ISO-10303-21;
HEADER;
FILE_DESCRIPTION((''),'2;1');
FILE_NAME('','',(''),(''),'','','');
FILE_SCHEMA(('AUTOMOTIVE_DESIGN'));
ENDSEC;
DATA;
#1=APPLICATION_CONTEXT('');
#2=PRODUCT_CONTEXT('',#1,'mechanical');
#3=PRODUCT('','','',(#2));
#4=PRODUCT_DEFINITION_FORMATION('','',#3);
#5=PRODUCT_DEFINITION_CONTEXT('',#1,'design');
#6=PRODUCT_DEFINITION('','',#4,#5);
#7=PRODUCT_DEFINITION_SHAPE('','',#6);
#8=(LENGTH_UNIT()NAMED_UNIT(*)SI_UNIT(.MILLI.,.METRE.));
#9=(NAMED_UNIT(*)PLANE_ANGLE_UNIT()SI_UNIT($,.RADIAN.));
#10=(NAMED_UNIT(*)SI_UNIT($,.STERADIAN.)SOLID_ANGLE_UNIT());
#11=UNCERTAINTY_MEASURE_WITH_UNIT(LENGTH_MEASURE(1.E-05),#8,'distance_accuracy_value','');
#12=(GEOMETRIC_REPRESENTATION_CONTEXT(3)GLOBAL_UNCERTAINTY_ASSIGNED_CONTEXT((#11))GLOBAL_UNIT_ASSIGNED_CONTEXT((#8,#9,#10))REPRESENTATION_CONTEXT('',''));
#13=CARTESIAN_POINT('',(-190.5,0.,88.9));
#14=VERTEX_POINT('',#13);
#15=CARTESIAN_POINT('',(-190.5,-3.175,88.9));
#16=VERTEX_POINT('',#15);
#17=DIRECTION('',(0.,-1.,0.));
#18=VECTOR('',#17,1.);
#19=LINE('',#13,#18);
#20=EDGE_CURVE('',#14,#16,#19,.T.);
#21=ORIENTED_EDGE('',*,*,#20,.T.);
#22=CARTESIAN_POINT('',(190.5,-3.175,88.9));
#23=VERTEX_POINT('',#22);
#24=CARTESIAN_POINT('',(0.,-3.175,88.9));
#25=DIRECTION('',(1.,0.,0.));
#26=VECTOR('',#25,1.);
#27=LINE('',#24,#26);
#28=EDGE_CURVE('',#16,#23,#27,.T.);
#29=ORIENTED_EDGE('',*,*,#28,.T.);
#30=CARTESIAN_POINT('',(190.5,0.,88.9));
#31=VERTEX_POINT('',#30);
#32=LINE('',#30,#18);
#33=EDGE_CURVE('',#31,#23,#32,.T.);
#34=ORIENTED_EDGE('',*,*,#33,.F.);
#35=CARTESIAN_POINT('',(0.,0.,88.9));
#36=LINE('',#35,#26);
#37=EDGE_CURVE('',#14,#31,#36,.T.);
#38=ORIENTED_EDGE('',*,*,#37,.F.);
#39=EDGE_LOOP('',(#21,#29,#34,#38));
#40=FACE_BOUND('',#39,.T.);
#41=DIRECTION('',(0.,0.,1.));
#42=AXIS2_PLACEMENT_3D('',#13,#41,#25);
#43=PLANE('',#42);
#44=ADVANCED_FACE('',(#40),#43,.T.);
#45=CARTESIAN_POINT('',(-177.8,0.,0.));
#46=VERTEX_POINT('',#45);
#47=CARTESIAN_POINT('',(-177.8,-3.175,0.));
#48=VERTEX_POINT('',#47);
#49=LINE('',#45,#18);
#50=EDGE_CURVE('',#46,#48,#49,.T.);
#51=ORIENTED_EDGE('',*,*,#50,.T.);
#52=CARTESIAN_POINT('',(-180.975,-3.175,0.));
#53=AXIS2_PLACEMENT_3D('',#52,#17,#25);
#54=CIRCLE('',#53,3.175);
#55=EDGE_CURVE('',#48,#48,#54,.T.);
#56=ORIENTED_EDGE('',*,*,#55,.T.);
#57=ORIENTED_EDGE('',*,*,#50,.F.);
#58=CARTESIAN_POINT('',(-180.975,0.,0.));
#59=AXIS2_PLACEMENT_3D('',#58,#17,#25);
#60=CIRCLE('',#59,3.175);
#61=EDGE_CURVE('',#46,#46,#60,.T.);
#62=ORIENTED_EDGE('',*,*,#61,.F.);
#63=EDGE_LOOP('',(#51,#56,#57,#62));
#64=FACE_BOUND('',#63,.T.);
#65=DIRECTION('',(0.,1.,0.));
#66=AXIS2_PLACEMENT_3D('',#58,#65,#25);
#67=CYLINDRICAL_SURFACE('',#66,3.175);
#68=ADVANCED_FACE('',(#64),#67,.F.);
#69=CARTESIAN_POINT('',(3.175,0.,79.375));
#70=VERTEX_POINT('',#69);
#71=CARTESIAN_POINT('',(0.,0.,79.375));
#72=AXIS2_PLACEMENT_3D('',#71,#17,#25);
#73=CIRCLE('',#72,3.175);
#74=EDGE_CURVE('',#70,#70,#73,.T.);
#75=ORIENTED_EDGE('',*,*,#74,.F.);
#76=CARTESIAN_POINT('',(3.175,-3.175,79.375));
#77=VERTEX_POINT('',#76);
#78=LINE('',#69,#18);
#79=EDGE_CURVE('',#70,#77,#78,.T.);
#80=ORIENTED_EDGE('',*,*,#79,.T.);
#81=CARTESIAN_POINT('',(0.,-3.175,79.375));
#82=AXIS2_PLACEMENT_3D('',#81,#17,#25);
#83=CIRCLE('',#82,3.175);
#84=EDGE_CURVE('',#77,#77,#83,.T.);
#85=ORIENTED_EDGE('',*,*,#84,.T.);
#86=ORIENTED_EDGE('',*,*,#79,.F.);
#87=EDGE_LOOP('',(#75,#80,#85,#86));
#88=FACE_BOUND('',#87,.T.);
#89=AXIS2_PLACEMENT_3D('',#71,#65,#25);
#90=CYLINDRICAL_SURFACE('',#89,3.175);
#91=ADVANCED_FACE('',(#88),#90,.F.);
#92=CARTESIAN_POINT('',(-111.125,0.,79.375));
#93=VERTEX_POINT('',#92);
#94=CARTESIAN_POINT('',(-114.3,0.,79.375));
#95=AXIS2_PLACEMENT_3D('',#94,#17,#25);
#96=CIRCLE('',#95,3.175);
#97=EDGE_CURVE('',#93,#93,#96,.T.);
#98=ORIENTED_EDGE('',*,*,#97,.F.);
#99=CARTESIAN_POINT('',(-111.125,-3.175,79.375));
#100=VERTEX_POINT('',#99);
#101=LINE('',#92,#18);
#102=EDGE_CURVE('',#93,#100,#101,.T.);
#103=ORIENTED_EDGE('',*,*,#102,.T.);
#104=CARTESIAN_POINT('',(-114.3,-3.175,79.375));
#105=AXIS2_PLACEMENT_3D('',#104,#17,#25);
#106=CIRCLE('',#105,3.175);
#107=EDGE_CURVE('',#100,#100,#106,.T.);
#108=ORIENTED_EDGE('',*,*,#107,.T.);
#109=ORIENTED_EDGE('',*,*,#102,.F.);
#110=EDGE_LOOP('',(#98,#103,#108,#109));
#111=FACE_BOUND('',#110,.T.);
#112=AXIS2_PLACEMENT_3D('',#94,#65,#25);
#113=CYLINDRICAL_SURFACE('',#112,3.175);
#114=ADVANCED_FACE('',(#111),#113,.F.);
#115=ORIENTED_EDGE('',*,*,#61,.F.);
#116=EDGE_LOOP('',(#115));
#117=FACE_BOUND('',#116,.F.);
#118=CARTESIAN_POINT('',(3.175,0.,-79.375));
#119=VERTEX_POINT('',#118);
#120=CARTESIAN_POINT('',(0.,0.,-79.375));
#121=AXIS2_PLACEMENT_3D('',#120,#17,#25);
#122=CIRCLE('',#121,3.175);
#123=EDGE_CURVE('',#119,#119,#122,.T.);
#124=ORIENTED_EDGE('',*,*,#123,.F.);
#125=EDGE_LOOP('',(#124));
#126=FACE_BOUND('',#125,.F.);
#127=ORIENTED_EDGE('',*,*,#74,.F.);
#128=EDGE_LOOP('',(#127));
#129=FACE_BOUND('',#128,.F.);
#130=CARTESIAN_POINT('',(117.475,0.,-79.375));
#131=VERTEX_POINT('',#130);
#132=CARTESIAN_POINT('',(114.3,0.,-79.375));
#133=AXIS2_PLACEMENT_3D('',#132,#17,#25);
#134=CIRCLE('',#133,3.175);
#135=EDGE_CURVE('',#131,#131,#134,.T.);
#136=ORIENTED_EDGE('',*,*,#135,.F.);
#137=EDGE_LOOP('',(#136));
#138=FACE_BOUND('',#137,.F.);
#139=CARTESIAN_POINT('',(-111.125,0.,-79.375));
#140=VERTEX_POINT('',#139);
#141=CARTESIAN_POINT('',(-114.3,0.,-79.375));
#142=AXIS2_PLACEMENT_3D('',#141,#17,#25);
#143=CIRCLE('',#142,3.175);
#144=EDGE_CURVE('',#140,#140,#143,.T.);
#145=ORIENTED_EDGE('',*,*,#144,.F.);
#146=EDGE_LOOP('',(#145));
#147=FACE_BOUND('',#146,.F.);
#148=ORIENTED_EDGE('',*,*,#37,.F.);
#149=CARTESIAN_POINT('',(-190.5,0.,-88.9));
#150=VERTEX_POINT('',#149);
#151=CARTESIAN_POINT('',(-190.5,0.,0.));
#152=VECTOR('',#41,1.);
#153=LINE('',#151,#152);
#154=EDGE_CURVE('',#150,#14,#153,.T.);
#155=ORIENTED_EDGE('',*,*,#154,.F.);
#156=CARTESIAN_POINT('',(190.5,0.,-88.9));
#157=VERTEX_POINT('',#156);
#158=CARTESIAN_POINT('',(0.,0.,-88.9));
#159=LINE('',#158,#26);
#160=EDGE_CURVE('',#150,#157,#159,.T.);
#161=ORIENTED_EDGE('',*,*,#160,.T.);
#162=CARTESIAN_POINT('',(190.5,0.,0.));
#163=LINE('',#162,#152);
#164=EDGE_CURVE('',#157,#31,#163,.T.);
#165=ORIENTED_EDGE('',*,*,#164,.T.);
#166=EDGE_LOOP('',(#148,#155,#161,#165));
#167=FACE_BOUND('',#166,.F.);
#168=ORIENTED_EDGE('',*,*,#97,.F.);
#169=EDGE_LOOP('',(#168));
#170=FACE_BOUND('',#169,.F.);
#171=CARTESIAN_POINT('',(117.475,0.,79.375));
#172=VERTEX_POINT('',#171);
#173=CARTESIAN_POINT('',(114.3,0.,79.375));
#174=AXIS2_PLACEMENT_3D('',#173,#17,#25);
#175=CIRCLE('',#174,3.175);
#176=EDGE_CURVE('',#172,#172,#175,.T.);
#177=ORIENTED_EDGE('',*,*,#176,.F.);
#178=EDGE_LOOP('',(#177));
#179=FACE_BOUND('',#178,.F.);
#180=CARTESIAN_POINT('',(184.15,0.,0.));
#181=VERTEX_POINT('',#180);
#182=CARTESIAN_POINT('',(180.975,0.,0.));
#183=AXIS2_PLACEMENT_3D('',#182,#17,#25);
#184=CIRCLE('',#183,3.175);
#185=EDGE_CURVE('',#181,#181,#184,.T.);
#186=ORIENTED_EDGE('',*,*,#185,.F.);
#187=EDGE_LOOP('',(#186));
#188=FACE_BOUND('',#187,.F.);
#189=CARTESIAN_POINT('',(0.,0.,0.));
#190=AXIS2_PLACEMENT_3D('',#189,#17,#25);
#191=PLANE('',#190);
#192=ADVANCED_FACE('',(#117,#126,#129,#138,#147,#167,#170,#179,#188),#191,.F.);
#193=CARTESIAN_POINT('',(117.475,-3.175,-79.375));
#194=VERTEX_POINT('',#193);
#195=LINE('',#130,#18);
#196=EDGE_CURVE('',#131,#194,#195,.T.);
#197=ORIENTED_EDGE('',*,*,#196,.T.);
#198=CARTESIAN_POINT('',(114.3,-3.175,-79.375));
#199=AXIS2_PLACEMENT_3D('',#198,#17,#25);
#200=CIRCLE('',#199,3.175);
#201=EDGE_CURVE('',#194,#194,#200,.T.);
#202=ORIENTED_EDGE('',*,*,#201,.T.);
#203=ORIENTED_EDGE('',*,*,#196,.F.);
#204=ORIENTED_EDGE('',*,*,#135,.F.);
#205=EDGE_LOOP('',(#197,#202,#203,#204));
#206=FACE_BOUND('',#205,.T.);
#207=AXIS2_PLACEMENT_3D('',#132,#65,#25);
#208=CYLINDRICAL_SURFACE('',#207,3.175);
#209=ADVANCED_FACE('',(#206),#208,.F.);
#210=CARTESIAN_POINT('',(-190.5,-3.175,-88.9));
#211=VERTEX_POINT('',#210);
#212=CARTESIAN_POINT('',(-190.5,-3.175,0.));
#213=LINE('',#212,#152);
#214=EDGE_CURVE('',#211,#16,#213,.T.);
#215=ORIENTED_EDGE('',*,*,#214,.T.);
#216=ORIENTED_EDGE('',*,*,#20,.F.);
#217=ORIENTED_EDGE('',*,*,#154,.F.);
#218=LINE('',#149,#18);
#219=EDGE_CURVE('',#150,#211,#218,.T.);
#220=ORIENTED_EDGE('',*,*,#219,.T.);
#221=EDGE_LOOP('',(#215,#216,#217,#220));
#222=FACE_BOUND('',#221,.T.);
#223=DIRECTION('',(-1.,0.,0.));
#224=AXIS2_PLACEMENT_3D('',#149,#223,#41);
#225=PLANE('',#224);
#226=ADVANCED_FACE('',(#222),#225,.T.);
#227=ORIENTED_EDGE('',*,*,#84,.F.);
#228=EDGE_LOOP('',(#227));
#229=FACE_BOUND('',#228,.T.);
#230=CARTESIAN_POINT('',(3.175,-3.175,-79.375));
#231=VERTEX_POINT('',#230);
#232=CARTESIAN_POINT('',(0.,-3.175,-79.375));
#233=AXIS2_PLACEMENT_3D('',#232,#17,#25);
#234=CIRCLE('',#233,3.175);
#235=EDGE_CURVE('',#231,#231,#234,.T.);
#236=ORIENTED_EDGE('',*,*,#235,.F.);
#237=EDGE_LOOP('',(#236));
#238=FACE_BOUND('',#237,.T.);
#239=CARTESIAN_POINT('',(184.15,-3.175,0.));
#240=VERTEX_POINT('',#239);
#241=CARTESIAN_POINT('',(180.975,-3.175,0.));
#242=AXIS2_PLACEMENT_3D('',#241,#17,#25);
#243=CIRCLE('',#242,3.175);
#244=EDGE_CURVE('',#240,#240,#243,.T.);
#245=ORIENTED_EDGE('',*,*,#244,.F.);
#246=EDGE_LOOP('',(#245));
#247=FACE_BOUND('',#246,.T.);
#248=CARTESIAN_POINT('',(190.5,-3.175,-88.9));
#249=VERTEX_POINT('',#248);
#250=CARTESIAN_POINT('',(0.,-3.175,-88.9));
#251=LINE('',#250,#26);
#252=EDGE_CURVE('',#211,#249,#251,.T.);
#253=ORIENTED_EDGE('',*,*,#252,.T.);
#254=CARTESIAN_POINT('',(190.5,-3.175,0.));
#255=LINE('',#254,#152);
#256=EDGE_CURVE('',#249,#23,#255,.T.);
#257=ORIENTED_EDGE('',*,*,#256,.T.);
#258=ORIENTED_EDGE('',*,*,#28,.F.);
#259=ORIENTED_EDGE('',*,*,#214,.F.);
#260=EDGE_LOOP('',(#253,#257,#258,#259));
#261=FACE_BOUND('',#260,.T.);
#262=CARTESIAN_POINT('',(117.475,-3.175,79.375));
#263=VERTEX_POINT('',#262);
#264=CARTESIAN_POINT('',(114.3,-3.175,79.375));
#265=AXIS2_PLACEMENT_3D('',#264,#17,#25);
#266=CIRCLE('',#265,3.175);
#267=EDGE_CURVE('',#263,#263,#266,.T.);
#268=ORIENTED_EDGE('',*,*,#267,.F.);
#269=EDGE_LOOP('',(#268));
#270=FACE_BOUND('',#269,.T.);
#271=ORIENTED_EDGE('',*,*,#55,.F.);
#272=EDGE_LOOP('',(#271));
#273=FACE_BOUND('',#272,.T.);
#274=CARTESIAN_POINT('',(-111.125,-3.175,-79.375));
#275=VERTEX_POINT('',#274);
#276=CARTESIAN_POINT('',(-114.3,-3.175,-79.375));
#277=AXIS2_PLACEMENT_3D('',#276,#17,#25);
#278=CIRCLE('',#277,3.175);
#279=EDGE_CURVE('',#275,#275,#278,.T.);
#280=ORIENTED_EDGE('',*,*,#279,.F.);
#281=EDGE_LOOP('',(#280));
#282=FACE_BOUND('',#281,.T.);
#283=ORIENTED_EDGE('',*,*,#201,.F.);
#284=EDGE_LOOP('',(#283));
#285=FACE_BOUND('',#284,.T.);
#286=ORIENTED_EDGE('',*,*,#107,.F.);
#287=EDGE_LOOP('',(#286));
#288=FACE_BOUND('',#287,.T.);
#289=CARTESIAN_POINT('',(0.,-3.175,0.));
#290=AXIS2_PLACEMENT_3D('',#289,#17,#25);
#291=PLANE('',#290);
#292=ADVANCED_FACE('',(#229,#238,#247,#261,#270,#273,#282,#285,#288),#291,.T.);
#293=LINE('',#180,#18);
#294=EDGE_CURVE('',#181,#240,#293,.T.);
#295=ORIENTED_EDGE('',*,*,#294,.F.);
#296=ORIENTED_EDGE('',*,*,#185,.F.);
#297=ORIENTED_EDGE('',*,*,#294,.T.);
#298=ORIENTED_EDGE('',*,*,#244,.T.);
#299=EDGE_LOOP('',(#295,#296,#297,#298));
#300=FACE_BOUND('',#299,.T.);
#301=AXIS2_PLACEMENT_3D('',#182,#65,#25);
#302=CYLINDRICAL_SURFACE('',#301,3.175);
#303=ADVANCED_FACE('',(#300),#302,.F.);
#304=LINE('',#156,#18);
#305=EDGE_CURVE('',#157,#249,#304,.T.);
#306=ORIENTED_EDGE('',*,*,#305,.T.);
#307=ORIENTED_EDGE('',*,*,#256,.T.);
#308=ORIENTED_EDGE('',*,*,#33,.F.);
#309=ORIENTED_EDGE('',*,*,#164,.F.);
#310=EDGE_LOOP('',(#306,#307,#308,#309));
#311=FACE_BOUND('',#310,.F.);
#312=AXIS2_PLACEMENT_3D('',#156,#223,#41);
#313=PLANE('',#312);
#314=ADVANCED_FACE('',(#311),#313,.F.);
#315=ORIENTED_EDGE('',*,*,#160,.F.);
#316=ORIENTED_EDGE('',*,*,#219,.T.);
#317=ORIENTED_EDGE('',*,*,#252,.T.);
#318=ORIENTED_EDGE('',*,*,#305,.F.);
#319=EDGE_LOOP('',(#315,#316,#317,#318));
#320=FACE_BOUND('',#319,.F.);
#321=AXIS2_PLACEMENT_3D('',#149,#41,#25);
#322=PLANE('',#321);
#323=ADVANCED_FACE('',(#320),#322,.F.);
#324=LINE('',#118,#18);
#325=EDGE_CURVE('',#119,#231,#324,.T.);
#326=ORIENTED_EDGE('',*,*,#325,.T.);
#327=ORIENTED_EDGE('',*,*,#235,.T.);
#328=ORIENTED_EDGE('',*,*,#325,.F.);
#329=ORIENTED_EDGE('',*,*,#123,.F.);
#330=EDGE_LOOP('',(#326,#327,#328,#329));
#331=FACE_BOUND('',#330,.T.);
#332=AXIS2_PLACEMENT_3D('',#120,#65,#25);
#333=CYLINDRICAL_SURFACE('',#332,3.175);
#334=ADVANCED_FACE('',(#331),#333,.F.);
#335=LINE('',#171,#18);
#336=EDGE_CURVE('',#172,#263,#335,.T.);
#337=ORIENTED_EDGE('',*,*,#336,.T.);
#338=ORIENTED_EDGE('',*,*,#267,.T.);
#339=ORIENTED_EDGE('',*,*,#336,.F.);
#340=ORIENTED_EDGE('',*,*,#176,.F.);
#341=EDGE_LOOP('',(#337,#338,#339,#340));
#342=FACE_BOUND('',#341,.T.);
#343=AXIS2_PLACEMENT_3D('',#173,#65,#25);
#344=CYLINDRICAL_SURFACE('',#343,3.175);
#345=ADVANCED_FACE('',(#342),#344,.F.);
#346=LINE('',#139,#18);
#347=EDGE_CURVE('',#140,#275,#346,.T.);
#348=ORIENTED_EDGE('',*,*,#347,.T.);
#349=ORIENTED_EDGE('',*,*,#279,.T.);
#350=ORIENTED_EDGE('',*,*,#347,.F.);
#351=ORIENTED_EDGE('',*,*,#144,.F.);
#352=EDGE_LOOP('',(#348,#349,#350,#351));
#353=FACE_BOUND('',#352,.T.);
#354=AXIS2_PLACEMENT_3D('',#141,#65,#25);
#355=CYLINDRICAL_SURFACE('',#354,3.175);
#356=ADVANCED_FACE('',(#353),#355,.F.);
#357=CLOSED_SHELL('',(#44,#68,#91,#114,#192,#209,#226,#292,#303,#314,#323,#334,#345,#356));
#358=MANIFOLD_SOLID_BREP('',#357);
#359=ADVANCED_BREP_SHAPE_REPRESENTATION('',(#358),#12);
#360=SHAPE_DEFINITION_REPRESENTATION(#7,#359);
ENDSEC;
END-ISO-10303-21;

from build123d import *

# Parameters (mm, degrees)
F0_W     = 381
F0_H     = 177.8
F0_R     = 3.175
F1_DEPTH = 3.175


with BuildPart() as f1:
    # F0 (on Front) → F1 (new body)
    with BuildSketch(Plane.XZ):
        Rectangle(F0_W, F0_H)
        with Locations((-114.3, -79.375)):
            Circle(F0_R, mode=Mode.SUBTRACT)
        with Locations((0, -79.375)):
            Circle(F0_R, mode=Mode.SUBTRACT)
        with Locations((114.3, -79.375)):
            Circle(F0_R, mode=Mode.SUBTRACT)
        with Locations((-180.975, 0)):
            Circle(F0_R, mode=Mode.SUBTRACT)
        with Locations((-114.3, 79.375)):
            Circle(F0_R, mode=Mode.SUBTRACT)
        with Locations((180.975, 0)):
            Circle(F0_R, mode=Mode.SUBTRACT)
        with Locations((0, 79.375)):
            Circle(F0_R, mode=Mode.SUBTRACT)
        with Locations((114.3, 79.375)):
            Circle(F0_R, mode=Mode.SUBTRACT)
    extrude(amount=F1_DEPTH)


solid = f1.part
